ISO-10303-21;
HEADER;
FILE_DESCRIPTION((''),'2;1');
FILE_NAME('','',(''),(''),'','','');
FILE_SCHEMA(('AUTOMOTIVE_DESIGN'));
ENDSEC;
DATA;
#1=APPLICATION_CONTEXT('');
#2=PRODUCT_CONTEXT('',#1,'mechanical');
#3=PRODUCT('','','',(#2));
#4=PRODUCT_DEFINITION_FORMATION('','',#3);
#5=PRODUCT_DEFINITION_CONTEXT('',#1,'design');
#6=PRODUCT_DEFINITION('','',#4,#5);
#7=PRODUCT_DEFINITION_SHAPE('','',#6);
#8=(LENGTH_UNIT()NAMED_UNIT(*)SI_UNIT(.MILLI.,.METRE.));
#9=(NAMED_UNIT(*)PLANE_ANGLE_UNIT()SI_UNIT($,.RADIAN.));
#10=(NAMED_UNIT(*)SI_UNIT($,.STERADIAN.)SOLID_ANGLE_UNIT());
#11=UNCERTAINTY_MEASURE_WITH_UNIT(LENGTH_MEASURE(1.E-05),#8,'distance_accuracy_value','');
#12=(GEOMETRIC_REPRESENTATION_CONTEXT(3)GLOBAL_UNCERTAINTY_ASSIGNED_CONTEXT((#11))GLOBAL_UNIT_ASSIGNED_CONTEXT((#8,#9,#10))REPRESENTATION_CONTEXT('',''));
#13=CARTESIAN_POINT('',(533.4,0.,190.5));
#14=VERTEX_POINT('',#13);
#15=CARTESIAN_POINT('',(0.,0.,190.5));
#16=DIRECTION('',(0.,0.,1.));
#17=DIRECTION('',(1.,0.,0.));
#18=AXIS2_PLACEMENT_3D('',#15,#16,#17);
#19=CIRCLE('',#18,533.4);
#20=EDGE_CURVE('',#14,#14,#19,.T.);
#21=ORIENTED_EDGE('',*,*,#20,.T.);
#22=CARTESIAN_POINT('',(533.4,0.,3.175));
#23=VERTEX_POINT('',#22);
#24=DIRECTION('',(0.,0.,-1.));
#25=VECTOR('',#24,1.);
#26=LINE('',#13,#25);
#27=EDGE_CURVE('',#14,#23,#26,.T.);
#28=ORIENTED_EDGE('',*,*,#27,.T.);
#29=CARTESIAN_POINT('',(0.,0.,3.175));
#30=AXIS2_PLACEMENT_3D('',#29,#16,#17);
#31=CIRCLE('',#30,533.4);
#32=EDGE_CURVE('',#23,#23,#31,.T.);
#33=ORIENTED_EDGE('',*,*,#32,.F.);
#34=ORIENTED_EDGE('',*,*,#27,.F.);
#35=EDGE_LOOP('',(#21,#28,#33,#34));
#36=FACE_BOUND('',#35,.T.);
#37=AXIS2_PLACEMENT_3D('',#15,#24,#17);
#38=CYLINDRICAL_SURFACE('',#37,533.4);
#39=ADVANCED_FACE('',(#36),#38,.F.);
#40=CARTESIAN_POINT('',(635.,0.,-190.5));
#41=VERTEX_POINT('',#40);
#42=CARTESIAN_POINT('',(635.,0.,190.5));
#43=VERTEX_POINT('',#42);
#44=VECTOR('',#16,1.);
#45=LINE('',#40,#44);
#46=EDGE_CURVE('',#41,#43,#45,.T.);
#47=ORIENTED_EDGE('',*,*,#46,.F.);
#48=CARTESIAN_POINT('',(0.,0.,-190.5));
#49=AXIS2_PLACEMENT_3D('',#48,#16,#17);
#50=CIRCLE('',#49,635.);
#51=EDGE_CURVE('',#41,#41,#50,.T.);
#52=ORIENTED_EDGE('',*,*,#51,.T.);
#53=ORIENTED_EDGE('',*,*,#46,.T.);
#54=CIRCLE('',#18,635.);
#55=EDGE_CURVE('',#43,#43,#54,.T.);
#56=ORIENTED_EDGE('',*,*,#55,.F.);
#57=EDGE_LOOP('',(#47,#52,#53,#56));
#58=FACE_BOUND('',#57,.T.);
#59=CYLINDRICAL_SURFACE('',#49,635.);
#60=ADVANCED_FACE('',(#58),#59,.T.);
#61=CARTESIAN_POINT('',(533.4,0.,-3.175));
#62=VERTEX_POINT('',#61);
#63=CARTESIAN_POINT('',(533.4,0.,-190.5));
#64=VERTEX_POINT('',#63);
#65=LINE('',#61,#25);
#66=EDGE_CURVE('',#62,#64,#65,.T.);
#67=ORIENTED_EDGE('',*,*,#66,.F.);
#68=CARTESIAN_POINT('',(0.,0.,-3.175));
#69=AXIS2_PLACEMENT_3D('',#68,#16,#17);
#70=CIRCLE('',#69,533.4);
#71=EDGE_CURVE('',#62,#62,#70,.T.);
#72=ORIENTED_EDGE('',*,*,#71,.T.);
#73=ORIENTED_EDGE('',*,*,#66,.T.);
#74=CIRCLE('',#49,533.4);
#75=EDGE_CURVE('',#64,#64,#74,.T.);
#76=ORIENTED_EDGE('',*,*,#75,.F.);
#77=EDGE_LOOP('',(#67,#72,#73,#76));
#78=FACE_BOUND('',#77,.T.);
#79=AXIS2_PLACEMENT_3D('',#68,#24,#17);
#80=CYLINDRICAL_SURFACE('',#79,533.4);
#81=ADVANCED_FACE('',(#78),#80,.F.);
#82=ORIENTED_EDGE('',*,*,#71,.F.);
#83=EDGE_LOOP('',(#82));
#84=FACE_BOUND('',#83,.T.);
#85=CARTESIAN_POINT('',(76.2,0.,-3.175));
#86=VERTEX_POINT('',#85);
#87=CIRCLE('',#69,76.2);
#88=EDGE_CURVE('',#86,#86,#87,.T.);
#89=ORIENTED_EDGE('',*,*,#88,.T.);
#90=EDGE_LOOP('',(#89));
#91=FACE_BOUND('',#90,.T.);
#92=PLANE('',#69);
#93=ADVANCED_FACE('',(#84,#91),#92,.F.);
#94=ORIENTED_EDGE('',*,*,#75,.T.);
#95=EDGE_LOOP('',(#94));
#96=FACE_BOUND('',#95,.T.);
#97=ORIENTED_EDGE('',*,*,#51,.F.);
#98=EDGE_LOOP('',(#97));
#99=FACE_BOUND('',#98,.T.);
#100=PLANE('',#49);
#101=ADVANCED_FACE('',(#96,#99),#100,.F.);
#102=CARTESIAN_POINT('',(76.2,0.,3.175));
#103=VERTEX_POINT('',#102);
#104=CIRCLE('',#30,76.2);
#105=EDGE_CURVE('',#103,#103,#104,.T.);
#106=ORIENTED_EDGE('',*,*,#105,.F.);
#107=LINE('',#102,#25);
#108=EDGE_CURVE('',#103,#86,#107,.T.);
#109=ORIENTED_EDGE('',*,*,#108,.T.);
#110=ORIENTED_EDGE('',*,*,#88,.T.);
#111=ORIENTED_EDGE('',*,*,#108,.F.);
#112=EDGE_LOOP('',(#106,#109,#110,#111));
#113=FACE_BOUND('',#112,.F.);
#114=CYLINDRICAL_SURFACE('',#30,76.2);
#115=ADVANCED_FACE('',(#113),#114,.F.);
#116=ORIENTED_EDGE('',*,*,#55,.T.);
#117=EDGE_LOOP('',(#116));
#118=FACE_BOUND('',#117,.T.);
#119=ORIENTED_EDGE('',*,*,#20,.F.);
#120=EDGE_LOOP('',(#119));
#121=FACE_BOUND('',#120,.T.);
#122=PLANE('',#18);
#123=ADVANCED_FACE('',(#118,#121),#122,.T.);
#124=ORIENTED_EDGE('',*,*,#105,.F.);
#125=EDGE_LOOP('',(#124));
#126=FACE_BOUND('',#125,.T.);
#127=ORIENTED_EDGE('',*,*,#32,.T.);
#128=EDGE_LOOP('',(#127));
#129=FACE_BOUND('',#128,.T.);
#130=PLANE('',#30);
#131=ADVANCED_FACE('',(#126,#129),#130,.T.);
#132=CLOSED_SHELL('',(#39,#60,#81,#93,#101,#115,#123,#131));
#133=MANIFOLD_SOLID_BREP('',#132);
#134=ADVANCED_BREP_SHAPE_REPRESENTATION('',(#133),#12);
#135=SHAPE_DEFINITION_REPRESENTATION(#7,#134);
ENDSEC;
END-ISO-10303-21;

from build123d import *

# Parameters (mm, degrees)
F2_R     = 76.2
F3_DEPTH = 6.35


with BuildPart() as f1:
    # F0 (on Front) → F1 (revolve)
    with BuildSketch(Plane.XZ):
        Polygon((0, -3.175), (533.4, -3.175), (533.4, -190.5), (635, -190.5), (635, 190.5), (533.4, 190.5), (533.4, 3.175), (0, 3.175), (0, 0), align=None)
    revolve(axis=Axis((0, 0, -1.5875), (0, 0, 1)))

    # F2 (on face) → F3 (cut, through all)
    with BuildSketch(Plane.XY.offset(3.175)):
        Circle(F2_R)
    extrude(amount=-F3_DEPTH, mode=Mode.SUBTRACT)


solid = f1.part
